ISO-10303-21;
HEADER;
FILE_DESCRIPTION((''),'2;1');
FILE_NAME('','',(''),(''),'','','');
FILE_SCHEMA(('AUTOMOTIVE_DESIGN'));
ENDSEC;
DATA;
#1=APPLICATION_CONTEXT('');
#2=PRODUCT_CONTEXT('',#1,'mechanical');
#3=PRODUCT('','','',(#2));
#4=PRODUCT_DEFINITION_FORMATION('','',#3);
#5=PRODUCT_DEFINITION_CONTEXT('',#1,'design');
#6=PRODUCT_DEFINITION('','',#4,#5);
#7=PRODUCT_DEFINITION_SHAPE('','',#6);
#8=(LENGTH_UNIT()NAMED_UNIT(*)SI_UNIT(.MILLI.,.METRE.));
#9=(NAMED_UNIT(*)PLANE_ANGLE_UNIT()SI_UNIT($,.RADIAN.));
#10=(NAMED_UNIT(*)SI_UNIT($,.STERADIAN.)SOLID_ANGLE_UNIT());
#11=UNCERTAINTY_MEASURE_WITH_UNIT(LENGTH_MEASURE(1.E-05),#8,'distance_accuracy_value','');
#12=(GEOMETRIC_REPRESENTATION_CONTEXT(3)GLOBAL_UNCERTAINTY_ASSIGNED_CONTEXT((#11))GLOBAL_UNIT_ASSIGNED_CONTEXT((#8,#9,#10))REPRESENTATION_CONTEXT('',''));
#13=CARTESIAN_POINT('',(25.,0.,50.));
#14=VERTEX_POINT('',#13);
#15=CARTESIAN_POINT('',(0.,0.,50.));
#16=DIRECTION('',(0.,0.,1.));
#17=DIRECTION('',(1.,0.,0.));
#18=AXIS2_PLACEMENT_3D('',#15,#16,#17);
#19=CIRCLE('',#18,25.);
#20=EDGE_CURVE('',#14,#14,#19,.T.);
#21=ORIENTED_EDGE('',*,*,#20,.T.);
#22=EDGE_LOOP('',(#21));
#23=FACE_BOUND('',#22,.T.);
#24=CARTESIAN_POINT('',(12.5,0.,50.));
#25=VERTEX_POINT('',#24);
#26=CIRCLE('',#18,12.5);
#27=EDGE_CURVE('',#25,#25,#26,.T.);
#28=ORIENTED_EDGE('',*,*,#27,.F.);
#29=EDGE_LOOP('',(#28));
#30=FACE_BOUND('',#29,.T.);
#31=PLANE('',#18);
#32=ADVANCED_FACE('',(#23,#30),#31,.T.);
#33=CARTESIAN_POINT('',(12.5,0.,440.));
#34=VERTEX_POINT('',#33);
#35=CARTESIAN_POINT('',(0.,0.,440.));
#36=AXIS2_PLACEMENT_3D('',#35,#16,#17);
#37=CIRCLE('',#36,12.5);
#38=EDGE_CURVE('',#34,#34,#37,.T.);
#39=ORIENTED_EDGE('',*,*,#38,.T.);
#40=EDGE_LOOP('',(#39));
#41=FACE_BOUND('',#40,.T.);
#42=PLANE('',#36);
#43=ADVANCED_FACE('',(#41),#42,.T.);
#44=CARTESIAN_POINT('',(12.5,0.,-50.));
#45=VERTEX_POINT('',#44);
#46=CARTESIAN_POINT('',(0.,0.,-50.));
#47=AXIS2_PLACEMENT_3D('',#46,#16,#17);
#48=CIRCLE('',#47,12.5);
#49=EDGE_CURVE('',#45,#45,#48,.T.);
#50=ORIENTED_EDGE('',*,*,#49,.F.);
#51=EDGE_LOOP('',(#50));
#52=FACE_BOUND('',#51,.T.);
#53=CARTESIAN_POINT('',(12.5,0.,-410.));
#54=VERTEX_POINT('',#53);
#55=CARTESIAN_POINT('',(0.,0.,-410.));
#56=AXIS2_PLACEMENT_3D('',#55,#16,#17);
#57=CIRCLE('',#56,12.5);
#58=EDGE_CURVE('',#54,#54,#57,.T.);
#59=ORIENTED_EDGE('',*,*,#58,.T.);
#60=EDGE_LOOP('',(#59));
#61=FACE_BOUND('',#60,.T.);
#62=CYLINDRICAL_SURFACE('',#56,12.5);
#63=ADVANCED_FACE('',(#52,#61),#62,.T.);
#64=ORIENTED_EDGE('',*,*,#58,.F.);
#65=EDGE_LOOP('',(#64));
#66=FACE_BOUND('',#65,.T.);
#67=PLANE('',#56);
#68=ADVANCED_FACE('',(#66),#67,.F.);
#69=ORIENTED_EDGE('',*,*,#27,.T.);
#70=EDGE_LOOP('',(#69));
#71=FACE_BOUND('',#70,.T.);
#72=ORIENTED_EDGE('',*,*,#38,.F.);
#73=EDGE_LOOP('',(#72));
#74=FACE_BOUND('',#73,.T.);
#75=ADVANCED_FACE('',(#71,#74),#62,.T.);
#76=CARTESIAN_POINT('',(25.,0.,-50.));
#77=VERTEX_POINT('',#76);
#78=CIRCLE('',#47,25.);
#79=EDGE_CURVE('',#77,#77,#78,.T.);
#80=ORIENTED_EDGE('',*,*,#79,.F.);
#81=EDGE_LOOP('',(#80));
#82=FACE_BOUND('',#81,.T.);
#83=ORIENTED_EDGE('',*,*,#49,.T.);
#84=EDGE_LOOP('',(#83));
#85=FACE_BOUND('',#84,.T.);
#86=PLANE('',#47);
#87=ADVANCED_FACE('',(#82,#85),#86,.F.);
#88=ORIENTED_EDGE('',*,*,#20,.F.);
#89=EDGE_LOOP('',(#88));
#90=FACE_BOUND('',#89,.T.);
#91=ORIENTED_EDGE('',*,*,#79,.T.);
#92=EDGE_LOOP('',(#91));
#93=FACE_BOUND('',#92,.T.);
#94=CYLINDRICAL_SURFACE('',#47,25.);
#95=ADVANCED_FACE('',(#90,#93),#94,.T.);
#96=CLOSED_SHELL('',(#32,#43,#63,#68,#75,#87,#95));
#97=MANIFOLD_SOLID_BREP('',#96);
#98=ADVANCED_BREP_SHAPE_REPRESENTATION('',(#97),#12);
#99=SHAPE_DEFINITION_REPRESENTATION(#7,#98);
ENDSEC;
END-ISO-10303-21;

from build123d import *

# Parameters (mm, degrees)
BOSS_EXTRUDE1_DEPTH      = 50
BOSS_EXTRUDE1_DEPTH_BACK = 50
SKETCH1_R                = 25
SKETCH1_R_2              = 12.5
BOSS_EXTRUDE3_DEPTH      = 390
BOSS_EXTRUDE3_DEPTH_BACK = 460
SKETCH3_R                = 12.5


with BuildPart() as part:
    # Sketch1 → Boss-Extrude1 (new, two sides: drawn at the far end of the back side and taken through both)
    with BuildSketch(Plane.XY.offset(-BOSS_EXTRUDE1_DEPTH_BACK)):
        Circle(SKETCH1_R)
        Circle(SKETCH1_R_2, mode=Mode.SUBTRACT)
    extrude(amount=BOSS_EXTRUDE1_DEPTH + BOSS_EXTRUDE1_DEPTH_BACK)

    # Sketch3 → Boss-Extrude3 (add, two sides: drawn at the far end of the back side and taken through both)
    with BuildSketch(Plane.XY.offset(50).offset(-BOSS_EXTRUDE3_DEPTH_BACK)):
        Circle(SKETCH3_R)
    extrude(amount=BOSS_EXTRUDE3_DEPTH + BOSS_EXTRUDE3_DEPTH_BACK)


solid = part.part
